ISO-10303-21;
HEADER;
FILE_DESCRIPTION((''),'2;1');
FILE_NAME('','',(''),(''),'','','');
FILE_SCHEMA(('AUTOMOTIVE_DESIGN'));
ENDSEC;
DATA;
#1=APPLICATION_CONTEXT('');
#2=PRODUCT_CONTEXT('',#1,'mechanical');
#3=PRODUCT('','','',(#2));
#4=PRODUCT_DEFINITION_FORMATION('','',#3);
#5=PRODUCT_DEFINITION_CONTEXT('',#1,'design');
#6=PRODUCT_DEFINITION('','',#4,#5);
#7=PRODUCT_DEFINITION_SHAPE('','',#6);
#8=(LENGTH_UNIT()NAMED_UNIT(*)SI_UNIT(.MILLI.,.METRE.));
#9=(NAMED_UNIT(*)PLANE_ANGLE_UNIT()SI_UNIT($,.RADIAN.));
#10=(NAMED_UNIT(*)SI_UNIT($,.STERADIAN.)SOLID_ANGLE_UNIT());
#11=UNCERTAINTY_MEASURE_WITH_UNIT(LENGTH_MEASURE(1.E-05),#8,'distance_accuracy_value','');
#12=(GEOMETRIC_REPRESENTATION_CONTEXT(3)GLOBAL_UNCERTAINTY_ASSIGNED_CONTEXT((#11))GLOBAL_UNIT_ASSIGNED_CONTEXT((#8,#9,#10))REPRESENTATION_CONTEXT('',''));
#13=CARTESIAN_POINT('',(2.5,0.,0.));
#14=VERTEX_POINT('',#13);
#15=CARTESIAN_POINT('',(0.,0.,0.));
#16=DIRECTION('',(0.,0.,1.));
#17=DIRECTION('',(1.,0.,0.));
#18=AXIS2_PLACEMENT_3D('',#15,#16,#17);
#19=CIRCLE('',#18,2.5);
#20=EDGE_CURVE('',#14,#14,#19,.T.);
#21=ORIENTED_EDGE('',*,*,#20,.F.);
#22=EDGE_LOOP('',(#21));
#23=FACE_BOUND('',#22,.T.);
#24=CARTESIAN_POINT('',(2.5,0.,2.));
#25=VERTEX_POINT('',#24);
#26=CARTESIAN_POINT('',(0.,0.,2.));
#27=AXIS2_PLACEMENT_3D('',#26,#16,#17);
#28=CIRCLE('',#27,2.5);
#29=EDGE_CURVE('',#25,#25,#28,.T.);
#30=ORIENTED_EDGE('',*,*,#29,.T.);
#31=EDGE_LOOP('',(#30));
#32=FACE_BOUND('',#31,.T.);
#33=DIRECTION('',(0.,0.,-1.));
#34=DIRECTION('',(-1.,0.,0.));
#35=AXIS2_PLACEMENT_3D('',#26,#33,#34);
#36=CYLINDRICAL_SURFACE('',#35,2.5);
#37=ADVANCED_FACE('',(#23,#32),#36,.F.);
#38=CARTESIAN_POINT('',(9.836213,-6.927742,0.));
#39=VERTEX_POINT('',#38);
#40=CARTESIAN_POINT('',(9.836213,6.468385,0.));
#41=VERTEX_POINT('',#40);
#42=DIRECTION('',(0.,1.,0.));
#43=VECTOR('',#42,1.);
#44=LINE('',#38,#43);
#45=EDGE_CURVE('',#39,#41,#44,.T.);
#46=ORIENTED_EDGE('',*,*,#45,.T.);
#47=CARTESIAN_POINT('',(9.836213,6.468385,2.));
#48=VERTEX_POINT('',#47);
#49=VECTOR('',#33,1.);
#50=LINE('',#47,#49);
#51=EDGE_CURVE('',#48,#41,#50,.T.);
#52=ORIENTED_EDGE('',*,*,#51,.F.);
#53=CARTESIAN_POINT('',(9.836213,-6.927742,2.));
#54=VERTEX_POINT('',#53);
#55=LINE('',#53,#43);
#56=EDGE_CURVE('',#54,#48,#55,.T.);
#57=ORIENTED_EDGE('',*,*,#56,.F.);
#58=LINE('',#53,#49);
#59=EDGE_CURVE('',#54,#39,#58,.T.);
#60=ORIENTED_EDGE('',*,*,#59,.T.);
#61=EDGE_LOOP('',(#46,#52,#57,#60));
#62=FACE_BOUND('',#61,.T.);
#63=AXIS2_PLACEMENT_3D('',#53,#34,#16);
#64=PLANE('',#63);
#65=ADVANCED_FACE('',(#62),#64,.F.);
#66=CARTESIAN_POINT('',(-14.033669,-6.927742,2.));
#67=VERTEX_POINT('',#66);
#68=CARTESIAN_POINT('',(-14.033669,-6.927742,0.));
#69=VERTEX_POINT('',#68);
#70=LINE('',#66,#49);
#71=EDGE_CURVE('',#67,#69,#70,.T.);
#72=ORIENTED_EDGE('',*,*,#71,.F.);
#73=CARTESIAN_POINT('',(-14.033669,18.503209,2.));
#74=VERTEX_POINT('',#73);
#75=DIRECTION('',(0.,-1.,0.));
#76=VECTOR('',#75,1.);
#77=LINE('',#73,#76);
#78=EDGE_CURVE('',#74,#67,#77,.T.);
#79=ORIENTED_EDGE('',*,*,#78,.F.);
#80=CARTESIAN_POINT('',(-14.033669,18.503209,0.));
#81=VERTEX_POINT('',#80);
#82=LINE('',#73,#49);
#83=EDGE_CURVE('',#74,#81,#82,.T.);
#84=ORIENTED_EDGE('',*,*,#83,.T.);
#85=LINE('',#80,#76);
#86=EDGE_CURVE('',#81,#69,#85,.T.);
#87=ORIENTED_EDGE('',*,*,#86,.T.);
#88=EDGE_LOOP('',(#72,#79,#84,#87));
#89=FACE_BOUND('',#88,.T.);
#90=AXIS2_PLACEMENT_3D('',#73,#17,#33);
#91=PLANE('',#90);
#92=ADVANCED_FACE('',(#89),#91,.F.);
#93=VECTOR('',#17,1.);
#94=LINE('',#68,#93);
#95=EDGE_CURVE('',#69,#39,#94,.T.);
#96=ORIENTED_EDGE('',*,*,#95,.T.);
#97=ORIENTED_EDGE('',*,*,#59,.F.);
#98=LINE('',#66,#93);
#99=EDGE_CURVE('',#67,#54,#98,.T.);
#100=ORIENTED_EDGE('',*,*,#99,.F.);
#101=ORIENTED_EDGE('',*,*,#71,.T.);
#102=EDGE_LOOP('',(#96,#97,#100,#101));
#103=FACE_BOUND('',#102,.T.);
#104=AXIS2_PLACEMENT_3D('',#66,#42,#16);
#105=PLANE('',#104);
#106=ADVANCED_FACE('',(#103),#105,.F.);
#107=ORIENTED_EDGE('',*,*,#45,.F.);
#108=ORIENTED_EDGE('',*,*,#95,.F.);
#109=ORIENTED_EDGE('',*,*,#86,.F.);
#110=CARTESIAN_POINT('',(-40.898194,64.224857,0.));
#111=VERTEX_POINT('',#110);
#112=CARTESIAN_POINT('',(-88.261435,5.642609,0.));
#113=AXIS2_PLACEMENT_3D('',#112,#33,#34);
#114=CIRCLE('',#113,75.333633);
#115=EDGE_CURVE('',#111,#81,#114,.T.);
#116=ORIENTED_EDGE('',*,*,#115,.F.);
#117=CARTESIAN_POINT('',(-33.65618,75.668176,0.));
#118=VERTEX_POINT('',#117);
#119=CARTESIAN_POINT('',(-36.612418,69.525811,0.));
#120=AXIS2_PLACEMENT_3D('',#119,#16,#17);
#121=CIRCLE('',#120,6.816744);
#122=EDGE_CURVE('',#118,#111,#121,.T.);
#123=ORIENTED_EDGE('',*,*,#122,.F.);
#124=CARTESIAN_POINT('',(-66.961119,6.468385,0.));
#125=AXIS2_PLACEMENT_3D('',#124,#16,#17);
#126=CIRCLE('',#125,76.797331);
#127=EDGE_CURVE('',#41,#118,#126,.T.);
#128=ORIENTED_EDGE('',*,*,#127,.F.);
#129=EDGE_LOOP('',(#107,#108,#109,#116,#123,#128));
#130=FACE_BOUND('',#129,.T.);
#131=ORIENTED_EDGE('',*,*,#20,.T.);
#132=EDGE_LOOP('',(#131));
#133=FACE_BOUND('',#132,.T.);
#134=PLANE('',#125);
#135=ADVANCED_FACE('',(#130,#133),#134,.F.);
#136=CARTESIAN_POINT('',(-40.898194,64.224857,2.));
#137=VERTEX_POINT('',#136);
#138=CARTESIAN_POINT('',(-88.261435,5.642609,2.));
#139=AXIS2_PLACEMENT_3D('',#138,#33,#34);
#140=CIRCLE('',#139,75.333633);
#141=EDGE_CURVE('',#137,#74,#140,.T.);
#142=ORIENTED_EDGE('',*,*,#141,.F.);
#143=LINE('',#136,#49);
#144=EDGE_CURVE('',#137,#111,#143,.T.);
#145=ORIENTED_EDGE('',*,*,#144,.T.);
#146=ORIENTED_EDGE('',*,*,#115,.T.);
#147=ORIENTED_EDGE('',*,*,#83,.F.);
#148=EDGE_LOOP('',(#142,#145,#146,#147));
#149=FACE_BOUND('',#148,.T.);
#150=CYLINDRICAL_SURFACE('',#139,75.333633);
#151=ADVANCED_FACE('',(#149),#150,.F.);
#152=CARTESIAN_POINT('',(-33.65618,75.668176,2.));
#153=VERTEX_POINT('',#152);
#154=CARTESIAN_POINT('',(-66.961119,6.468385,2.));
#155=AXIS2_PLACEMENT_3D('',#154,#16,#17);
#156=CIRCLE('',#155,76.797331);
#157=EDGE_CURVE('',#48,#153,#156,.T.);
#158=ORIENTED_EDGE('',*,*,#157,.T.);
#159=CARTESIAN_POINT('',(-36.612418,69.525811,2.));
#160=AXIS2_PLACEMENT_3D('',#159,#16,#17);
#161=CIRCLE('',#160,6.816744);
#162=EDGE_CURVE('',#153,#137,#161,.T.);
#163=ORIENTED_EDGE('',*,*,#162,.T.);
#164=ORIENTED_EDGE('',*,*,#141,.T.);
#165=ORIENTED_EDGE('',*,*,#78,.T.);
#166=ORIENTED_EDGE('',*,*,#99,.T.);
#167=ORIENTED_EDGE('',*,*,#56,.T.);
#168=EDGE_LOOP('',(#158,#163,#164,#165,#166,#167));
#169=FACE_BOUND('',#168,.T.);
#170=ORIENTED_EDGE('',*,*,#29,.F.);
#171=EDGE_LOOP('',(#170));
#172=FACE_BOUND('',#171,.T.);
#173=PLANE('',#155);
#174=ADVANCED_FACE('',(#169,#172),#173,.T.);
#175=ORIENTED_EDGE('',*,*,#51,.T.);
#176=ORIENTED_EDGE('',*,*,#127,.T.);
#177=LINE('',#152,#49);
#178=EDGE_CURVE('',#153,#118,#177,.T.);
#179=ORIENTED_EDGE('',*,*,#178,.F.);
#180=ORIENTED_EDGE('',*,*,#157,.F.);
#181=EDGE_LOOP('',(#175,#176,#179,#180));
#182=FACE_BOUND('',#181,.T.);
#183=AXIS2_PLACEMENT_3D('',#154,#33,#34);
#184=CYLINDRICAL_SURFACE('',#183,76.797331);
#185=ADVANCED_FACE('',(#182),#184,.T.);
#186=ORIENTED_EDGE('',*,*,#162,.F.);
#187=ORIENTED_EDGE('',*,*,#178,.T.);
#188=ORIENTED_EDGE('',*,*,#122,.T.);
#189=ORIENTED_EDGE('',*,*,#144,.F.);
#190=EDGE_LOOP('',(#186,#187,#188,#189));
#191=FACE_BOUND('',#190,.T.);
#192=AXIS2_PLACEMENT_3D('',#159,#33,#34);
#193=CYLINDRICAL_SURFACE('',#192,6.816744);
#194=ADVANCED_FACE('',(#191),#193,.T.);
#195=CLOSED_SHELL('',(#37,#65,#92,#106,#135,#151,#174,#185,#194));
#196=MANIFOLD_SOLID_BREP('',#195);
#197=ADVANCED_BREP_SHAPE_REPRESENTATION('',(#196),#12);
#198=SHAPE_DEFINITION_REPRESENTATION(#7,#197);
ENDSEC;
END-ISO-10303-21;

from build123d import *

# Parameters (mm, degrees)
SKETCH_1_R      = 2.5
EXTRUDE_1_DEPTH = 2


with BuildPart() as part:
    # Эскиз1 → Бобышка-Вытянуть1 (new body)
    with BuildSketch(Plane.XY):
        with BuildLine():
            Line((-14.033668667, -6.927741673), (9.836212535, -6.927741673))
            Line((9.836212535, -6.927741673), (9.836212535, 6.468384532))
            ThreePointArc((9.836212535, 6.468384532), (-1.939735679, 47.334627745), (-33.656179922, 75.668175974))
            ThreePointArc((-33.656179922, 75.668175974), (-42.372566631, 73.171176021), (-40.898194288, 64.224856542))
            ThreePointArc((-40.898194288, 64.224856542), (-23.309833652, 43.806018062), (-14.033668667, 18.503208773))
            Line((-14.033668667, 18.503208773), (-14.033668667, -6.927741673))
        make_face()
        Circle(SKETCH_1_R, mode=Mode.SUBTRACT)
    extrude(amount=EXTRUDE_1_DEPTH)


solid = part.part
